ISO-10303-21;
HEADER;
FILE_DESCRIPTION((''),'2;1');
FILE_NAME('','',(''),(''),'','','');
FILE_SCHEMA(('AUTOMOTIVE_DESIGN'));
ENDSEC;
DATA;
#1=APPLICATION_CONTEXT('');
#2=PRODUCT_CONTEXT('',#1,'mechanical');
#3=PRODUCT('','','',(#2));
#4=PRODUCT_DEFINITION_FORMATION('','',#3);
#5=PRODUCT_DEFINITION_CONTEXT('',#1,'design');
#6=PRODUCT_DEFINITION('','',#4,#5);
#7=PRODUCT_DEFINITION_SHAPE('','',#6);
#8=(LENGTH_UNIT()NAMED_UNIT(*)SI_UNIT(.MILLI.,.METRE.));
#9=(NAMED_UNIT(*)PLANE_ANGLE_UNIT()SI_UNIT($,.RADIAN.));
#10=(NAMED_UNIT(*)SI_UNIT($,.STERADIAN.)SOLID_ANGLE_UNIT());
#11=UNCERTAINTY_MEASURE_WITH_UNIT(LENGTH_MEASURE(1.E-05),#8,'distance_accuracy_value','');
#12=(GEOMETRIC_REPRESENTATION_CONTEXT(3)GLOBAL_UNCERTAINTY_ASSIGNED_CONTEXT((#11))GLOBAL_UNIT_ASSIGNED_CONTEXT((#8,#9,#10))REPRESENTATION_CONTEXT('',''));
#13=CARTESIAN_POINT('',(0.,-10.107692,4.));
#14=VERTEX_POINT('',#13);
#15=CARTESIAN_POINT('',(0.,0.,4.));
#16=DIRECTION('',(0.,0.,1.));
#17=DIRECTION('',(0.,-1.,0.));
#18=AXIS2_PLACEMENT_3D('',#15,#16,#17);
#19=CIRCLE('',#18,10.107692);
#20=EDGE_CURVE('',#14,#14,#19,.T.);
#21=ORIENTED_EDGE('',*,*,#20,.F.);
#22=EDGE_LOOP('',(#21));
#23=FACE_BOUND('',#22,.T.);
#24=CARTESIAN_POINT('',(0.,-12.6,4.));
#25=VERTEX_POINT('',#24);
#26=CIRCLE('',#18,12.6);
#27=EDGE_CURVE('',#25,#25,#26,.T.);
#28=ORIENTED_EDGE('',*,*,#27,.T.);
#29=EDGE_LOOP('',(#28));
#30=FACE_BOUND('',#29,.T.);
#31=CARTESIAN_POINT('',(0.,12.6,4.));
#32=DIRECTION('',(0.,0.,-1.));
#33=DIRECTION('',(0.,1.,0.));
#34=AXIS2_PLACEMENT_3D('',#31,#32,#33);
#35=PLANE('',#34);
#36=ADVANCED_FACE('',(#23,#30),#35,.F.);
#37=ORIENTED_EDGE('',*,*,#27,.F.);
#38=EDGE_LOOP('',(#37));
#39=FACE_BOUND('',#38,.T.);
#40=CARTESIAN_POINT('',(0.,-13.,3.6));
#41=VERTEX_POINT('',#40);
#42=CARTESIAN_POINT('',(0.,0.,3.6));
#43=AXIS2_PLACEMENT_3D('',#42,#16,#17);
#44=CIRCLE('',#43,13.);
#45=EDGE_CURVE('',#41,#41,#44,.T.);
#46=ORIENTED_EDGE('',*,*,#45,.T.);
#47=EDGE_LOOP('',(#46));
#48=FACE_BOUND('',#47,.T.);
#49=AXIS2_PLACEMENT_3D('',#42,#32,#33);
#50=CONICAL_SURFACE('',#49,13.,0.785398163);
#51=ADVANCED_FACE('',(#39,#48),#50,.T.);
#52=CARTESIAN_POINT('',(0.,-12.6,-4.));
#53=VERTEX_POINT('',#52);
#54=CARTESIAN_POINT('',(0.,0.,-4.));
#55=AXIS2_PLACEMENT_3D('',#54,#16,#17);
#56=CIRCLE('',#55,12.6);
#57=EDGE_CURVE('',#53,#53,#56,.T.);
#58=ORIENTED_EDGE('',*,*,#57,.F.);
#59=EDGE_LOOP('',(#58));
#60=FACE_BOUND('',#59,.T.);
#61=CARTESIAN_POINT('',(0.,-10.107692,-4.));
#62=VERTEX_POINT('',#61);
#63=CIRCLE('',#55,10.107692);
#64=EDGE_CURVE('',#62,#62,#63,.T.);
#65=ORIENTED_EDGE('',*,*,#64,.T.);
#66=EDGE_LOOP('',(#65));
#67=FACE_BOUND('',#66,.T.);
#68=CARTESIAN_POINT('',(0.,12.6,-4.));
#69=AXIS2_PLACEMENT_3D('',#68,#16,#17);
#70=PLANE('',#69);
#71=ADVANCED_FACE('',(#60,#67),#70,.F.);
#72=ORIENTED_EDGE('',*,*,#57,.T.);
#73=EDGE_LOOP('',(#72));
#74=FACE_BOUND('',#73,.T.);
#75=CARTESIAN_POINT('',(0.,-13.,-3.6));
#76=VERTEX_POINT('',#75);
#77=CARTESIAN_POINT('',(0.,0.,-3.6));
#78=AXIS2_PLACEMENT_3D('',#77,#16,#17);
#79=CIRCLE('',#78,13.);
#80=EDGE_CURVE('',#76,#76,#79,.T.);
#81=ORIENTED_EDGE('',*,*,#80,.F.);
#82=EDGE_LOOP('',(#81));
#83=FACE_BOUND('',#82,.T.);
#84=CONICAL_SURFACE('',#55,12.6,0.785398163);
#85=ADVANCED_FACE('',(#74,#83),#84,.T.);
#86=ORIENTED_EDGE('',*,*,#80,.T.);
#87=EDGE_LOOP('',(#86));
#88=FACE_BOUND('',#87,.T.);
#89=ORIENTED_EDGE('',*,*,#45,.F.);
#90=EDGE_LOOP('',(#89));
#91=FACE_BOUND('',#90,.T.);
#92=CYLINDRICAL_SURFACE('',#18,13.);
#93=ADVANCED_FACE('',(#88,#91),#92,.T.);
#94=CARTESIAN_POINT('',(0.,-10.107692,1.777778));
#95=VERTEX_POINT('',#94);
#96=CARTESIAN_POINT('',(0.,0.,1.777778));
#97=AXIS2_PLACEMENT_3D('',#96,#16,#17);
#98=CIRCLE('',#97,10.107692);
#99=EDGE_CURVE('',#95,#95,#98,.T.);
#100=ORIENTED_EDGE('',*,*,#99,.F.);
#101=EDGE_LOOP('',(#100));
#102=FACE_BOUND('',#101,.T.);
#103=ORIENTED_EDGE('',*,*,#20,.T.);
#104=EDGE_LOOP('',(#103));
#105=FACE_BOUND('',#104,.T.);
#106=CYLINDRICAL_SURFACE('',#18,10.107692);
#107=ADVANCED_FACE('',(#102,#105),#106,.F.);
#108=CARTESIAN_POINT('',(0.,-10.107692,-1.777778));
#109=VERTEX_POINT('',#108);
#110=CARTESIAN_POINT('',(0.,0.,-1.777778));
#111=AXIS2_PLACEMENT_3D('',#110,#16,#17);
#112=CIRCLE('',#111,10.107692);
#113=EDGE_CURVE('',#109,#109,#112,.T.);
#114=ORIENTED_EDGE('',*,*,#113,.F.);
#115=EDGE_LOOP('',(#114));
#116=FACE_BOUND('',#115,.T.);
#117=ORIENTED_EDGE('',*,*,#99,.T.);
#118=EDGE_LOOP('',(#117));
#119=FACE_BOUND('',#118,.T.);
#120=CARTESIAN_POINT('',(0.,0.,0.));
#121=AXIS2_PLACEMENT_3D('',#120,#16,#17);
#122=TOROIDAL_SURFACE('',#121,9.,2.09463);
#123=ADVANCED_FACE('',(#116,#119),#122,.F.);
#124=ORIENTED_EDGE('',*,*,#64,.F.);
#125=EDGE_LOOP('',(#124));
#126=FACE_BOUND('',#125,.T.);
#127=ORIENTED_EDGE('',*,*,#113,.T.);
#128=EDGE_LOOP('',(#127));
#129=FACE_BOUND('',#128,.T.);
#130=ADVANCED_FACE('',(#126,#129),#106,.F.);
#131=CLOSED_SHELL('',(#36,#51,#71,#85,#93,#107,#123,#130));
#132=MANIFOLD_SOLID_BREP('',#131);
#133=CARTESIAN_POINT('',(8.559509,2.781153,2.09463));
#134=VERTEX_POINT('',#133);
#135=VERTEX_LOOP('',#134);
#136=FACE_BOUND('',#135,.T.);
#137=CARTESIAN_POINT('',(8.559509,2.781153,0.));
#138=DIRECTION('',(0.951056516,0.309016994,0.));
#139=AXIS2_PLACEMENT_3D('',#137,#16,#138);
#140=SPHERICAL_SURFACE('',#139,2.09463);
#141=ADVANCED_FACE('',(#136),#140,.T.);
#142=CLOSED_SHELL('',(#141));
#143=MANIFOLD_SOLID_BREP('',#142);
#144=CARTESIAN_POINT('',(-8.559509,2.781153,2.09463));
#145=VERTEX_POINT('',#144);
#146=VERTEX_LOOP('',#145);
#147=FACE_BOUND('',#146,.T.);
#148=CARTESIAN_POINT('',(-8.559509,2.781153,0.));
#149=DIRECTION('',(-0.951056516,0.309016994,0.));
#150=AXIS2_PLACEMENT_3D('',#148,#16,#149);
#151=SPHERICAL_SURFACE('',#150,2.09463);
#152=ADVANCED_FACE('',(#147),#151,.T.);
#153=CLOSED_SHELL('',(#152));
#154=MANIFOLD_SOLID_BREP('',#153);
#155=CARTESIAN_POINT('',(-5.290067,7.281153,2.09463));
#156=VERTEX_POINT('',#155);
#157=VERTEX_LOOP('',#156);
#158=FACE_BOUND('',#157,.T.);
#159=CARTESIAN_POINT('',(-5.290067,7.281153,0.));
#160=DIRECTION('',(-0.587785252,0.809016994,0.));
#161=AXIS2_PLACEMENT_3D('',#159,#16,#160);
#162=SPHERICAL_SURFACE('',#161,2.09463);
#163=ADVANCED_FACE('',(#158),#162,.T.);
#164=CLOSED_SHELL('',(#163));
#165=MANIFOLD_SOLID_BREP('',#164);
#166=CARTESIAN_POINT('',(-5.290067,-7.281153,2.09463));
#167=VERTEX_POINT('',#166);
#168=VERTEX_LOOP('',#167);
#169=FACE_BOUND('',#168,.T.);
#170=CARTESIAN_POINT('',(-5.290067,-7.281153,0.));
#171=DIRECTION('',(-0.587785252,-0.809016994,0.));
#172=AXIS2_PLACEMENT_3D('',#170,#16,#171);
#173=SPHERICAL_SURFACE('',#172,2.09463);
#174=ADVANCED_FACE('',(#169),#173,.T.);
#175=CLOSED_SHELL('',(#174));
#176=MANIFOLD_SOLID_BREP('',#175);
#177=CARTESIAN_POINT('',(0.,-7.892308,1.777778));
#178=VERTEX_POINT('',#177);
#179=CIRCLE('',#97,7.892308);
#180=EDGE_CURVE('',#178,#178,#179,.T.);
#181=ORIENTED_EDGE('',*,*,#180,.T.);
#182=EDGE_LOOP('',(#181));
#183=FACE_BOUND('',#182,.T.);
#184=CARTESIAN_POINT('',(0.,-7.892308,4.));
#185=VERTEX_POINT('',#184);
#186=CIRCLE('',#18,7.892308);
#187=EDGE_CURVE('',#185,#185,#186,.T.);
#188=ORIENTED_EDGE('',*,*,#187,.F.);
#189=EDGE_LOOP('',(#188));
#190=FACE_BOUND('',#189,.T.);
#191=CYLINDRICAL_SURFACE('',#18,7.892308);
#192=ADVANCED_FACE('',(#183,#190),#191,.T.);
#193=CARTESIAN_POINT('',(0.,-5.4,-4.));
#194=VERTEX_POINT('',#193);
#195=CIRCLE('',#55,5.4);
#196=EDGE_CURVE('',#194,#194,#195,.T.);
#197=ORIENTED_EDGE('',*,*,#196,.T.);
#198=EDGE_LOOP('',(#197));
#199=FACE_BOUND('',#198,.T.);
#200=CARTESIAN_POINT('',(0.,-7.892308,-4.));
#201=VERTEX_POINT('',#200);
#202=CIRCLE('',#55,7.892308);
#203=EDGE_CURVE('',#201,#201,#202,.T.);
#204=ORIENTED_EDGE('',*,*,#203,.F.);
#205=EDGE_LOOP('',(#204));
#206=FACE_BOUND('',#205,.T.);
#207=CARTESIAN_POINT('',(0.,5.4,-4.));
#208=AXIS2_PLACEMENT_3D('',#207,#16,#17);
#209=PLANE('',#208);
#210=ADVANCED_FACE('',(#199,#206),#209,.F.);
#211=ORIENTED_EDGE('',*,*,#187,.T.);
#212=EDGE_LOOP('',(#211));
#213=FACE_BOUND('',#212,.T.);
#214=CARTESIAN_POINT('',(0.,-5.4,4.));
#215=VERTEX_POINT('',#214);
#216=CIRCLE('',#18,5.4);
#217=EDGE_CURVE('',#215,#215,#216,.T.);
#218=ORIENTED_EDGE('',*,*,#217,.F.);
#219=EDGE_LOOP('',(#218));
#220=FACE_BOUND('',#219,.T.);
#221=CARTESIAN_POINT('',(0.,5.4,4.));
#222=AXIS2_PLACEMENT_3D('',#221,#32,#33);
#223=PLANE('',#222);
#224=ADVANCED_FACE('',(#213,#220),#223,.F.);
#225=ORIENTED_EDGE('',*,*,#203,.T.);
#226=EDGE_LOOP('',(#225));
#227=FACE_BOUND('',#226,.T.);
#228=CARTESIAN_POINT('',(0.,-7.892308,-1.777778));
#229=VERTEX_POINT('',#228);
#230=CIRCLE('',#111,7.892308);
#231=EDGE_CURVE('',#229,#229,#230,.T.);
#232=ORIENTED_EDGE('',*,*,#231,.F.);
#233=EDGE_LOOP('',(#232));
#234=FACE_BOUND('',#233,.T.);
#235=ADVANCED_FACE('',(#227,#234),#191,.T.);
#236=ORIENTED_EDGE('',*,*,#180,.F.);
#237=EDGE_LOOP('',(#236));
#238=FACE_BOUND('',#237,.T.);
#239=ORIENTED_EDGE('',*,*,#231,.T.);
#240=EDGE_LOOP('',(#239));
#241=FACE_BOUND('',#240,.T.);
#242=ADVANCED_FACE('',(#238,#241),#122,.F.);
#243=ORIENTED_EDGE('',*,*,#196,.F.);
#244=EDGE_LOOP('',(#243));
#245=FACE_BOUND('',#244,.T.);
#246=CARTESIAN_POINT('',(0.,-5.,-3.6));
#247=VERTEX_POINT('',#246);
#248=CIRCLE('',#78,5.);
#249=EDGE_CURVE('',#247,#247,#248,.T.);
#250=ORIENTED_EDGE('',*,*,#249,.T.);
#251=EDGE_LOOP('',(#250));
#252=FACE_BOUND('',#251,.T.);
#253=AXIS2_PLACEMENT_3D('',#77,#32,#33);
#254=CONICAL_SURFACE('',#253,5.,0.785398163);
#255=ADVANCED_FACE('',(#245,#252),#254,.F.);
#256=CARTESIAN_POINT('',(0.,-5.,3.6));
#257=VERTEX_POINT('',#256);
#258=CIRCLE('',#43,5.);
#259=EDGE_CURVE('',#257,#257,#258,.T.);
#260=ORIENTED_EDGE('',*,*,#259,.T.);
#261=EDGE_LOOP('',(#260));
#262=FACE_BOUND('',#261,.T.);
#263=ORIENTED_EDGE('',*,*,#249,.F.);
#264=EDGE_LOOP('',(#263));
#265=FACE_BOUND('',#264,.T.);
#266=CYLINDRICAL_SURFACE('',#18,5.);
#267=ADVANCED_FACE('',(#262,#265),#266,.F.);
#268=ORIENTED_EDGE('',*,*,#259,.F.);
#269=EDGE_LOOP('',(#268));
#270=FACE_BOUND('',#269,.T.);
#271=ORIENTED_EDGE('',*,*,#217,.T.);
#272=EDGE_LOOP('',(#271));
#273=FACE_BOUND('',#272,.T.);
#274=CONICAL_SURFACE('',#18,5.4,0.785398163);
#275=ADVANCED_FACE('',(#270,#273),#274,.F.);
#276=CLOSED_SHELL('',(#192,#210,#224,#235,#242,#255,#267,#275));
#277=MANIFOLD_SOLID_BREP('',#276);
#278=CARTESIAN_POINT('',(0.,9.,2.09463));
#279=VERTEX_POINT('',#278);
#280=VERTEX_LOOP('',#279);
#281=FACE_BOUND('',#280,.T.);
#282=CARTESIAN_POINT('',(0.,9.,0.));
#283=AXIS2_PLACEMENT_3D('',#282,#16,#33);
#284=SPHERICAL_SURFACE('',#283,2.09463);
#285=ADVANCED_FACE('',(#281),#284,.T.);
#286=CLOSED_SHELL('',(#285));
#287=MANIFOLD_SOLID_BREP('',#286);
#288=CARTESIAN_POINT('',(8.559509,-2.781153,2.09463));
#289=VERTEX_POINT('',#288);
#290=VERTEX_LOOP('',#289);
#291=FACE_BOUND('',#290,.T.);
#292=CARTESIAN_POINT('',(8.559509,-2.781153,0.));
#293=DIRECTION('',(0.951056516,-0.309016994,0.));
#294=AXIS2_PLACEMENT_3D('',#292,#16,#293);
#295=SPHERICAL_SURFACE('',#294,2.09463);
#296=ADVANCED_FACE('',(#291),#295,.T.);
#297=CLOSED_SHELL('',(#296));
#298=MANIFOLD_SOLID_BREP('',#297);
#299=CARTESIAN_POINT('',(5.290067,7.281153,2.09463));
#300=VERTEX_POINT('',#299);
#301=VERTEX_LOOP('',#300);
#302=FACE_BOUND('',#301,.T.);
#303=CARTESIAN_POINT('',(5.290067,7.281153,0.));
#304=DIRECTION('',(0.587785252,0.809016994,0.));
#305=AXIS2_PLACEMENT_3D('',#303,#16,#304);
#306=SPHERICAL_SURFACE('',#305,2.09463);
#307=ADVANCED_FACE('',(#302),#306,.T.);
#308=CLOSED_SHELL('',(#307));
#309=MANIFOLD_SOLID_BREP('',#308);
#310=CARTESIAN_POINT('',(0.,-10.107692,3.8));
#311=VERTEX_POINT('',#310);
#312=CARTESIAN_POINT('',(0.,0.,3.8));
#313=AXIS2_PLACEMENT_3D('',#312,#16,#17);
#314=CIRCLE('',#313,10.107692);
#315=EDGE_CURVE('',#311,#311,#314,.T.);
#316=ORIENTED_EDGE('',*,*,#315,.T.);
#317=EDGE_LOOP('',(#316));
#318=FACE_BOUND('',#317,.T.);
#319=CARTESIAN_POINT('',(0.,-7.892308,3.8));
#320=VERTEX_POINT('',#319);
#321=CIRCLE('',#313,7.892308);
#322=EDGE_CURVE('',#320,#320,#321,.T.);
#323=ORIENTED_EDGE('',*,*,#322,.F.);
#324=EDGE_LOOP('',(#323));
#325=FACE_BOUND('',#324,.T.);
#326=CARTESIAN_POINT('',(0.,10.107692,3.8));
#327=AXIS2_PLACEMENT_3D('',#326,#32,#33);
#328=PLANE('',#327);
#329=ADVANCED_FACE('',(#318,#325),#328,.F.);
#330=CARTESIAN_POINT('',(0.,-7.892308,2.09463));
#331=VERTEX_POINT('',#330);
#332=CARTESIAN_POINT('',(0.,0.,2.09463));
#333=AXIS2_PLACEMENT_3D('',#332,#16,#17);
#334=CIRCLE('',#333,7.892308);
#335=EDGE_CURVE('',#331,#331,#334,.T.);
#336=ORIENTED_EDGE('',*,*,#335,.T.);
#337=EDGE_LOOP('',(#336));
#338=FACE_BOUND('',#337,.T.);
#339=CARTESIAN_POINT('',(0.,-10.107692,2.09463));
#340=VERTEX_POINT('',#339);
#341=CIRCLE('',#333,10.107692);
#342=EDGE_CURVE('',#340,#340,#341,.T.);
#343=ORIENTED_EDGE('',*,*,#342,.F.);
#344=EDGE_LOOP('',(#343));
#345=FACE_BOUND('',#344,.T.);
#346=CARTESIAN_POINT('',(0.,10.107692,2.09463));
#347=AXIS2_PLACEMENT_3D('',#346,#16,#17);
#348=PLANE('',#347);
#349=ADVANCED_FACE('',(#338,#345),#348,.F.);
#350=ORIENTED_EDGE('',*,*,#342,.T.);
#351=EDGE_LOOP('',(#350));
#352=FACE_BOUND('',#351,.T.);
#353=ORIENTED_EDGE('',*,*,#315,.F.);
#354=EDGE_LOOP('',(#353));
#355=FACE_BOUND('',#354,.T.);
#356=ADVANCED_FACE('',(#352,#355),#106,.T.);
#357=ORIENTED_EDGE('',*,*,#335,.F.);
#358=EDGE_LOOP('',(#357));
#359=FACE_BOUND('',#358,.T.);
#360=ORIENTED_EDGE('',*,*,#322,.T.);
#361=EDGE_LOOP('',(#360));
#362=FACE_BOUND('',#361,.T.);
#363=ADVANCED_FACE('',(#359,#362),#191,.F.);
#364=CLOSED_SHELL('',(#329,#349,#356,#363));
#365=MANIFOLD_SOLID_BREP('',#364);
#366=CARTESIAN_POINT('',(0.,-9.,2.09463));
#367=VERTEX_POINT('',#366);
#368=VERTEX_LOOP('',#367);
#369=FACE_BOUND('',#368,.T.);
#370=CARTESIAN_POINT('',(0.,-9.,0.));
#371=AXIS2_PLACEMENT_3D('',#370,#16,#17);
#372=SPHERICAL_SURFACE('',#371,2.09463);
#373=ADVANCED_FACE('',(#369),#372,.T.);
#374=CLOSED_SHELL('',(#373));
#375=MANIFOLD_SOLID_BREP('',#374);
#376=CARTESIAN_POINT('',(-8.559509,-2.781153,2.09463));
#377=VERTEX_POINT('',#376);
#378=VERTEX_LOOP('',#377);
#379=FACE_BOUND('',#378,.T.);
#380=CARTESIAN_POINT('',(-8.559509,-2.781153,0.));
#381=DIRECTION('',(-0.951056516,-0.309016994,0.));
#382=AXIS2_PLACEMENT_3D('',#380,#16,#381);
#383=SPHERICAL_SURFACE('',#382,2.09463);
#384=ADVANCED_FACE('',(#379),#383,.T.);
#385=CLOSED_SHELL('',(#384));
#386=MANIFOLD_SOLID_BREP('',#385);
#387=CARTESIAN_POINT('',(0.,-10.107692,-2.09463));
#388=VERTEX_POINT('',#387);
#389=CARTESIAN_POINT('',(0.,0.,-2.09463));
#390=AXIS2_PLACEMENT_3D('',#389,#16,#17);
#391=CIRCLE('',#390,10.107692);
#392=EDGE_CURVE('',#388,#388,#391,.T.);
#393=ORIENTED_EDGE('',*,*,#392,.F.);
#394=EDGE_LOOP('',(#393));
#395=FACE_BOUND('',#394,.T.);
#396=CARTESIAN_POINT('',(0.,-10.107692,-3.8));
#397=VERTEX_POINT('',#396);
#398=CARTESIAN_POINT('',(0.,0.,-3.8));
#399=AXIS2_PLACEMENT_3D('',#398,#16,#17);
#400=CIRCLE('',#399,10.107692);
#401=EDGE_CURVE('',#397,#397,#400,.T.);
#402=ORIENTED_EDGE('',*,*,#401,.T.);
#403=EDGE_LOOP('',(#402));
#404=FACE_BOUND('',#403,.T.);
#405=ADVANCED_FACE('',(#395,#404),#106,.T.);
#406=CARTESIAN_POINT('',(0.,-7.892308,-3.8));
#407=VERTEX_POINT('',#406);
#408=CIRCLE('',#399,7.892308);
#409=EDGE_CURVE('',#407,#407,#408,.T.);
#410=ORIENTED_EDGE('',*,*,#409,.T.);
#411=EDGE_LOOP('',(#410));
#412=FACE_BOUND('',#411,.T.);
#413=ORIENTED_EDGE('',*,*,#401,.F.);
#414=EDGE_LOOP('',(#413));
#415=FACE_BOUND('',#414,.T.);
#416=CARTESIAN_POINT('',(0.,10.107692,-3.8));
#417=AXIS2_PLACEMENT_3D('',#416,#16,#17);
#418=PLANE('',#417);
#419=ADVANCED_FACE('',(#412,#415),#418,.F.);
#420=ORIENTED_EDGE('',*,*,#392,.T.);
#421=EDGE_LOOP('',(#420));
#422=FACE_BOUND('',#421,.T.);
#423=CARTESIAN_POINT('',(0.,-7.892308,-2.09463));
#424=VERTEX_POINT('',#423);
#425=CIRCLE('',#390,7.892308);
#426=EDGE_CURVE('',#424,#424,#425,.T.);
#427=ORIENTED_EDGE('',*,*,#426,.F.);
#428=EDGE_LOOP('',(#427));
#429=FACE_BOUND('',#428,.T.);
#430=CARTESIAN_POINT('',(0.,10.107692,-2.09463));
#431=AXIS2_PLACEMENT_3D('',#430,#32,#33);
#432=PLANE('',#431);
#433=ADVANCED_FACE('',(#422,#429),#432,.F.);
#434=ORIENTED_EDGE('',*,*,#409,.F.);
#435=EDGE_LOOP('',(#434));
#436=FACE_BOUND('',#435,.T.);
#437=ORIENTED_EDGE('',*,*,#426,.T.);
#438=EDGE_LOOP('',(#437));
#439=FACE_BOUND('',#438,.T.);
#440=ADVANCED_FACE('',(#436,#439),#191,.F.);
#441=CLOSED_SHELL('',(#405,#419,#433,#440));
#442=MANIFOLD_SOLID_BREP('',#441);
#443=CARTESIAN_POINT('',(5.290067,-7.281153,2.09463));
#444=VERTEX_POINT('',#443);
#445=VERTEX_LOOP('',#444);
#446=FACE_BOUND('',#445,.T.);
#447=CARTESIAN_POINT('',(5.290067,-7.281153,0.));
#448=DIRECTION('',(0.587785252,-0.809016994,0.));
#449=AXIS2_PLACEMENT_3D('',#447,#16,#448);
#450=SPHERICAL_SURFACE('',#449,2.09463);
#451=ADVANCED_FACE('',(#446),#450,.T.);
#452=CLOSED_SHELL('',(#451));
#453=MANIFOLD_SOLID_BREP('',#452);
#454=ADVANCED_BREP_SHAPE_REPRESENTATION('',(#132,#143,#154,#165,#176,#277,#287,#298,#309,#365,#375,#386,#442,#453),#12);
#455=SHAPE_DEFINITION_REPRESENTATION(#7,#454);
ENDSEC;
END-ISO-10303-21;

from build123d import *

# Parameters (mm, degrees)
CIRPATTERN1_COUNT = 10
SKETCH5_W         = 1.705369704
SKETCH5_H         = 2.215384616


with BuildPart() as part:
    # Sketch7 → Revolve6 (revolve)
    with BuildSketch(Plane(origin=(0, 0, 0), x_dir=(0, 0, -1), z_dir=(1, 0, 0))):
        with BuildLine():
            Line((3.6, 13), (4, 12.6))
            Line((4, 12.6), (4, 10.107692308))
            Line((4, 10.107692308), (1.777777778, 10.107692308))
            ThreePointArc((1.777777778, 10.107692308), (0, 11.094630296), (-1.777777778, 10.107692308))
            Line((-1.777777778, 10.107692308), (-4, 10.107692308))
            Line((-4, 10.107692308), (-4, 12.6))
            Line((-4, 12.6), (-3.6, 13))
            Line((-3.6, 13), (3.6, 13))
        make_face()
    revolve(axis=Axis((0, 0, 4), (0, 0, -1)))


with BuildPart() as body_2:
    # Sketch3 → Revolve3 (revolve)
    with BuildSketch(Plane(origin=(0, 0, 0), x_dir=(0, 0, -1), z_dir=(1, 0, 0))):
        with BuildLine():
            Line((-3.6, 5), (-4, 5.4))
            Line((-4, 5.4), (-4, 7.892307692))
            Line((-4, 7.892307692), (-1.777777778, 7.892307692))
            ThreePointArc((-1.777777778, 7.892307692), (0, 6.905369704), (1.777777778, 7.892307692))
            Line((1.777777778, 7.892307692), (4, 7.892307692))
            Line((4, 7.892307692), (4, 5.4))
            Line((4, 5.4), (3.6, 5))
            Line((3.6, 5), (-3.6, 5))
        make_face()
    revolve(axis=Axis((0, 0, 4), (0, 0, -1)))


with BuildPart() as body_3:
    # Sketch4 → Revolve4 (revolve)
    with BuildSketch(Plane(origin=(0, 0, 0), x_dir=(0, 0, -1), z_dir=(1, 0, 0))):
        with BuildLine():
            Line((-2.094630296, 9), (2.094630296, 9))
            ThreePointArc((2.094630296, 9), (0, 11.094630296), (-2.094630296, 9))
        make_face()
    revolve(axis=Axis((0, 9, 2.094630296), (0, 0, -1)))


with BuildPart() as cirpattern1_1:
    # CirPattern1: pattern copy
    add(body_3.part.rotate(Axis((0, 0, 0), (0, 0, 1)), 1 * 360 / CIRPATTERN1_COUNT))


with BuildPart() as cirpattern1_2:
    # CirPattern1: pattern copy
    add(body_3.part.rotate(Axis((0, 0, 0), (0, 0, 1)), 2 * 360 / CIRPATTERN1_COUNT))


with BuildPart() as cirpattern1_3:
    # CirPattern1: pattern copy
    add(body_3.part.rotate(Axis((0, 0, 0), (0, 0, 1)), 3 * 360 / CIRPATTERN1_COUNT))


with BuildPart() as cirpattern1_4:
    # CirPattern1: pattern copy
    add(body_3.part.rotate(Axis((0, 0, 0), (0, 0, 1)), 4 * 360 / CIRPATTERN1_COUNT))


with BuildPart() as cirpattern1_5:
    # CirPattern1: pattern copy
    add(body_3.part.rotate(Axis((0, 0, 0), (0, 0, 1)), 5 * 360 / CIRPATTERN1_COUNT))


with BuildPart() as cirpattern1_6:
    # CirPattern1: pattern copy
    add(body_3.part.rotate(Axis((0, 0, 0), (0, 0, 1)), 6 * 360 / CIRPATTERN1_COUNT))


with BuildPart() as cirpattern1_7:
    # CirPattern1: pattern copy
    add(body_3.part.rotate(Axis((0, 0, 0), (0, 0, 1)), 7 * 360 / CIRPATTERN1_COUNT))


with BuildPart() as cirpattern1_8:
    # CirPattern1: pattern copy
    add(body_3.part.rotate(Axis((0, 0, 0), (0, 0, 1)), 8 * 360 / CIRPATTERN1_COUNT))


with BuildPart() as cirpattern1_9:
    # CirPattern1: pattern copy
    add(body_3.part.rotate(Axis((0, 0, 0), (0, 0, 1)), 9 * 360 / CIRPATTERN1_COUNT))


with BuildPart() as body_13:
    # Sketch5 → Revolve5 (revolve)
    with BuildSketch(Plane(origin=(0, 0, 0), x_dir=(0, 0, -1), z_dir=(1, 0, 0))):
        with Locations((-2.947315148, 9)):
            Rectangle(SKETCH5_W, SKETCH5_H)
        with Locations((2.947315148, 9)):
            Rectangle(SKETCH5_W, SKETCH5_H)
    revolve(axis=Axis((0, 0, 4), (0, 0, -1)))


solid = Compound([part.part, body_2.part, body_3.part, cirpattern1_1.part, cirpattern1_2.part, cirpattern1_3.part, cirpattern1_4.part, cirpattern1_5.part, cirpattern1_6.part, cirpattern1_7.part, cirpattern1_8.part, cirpattern1_9.part, body_13.part])
